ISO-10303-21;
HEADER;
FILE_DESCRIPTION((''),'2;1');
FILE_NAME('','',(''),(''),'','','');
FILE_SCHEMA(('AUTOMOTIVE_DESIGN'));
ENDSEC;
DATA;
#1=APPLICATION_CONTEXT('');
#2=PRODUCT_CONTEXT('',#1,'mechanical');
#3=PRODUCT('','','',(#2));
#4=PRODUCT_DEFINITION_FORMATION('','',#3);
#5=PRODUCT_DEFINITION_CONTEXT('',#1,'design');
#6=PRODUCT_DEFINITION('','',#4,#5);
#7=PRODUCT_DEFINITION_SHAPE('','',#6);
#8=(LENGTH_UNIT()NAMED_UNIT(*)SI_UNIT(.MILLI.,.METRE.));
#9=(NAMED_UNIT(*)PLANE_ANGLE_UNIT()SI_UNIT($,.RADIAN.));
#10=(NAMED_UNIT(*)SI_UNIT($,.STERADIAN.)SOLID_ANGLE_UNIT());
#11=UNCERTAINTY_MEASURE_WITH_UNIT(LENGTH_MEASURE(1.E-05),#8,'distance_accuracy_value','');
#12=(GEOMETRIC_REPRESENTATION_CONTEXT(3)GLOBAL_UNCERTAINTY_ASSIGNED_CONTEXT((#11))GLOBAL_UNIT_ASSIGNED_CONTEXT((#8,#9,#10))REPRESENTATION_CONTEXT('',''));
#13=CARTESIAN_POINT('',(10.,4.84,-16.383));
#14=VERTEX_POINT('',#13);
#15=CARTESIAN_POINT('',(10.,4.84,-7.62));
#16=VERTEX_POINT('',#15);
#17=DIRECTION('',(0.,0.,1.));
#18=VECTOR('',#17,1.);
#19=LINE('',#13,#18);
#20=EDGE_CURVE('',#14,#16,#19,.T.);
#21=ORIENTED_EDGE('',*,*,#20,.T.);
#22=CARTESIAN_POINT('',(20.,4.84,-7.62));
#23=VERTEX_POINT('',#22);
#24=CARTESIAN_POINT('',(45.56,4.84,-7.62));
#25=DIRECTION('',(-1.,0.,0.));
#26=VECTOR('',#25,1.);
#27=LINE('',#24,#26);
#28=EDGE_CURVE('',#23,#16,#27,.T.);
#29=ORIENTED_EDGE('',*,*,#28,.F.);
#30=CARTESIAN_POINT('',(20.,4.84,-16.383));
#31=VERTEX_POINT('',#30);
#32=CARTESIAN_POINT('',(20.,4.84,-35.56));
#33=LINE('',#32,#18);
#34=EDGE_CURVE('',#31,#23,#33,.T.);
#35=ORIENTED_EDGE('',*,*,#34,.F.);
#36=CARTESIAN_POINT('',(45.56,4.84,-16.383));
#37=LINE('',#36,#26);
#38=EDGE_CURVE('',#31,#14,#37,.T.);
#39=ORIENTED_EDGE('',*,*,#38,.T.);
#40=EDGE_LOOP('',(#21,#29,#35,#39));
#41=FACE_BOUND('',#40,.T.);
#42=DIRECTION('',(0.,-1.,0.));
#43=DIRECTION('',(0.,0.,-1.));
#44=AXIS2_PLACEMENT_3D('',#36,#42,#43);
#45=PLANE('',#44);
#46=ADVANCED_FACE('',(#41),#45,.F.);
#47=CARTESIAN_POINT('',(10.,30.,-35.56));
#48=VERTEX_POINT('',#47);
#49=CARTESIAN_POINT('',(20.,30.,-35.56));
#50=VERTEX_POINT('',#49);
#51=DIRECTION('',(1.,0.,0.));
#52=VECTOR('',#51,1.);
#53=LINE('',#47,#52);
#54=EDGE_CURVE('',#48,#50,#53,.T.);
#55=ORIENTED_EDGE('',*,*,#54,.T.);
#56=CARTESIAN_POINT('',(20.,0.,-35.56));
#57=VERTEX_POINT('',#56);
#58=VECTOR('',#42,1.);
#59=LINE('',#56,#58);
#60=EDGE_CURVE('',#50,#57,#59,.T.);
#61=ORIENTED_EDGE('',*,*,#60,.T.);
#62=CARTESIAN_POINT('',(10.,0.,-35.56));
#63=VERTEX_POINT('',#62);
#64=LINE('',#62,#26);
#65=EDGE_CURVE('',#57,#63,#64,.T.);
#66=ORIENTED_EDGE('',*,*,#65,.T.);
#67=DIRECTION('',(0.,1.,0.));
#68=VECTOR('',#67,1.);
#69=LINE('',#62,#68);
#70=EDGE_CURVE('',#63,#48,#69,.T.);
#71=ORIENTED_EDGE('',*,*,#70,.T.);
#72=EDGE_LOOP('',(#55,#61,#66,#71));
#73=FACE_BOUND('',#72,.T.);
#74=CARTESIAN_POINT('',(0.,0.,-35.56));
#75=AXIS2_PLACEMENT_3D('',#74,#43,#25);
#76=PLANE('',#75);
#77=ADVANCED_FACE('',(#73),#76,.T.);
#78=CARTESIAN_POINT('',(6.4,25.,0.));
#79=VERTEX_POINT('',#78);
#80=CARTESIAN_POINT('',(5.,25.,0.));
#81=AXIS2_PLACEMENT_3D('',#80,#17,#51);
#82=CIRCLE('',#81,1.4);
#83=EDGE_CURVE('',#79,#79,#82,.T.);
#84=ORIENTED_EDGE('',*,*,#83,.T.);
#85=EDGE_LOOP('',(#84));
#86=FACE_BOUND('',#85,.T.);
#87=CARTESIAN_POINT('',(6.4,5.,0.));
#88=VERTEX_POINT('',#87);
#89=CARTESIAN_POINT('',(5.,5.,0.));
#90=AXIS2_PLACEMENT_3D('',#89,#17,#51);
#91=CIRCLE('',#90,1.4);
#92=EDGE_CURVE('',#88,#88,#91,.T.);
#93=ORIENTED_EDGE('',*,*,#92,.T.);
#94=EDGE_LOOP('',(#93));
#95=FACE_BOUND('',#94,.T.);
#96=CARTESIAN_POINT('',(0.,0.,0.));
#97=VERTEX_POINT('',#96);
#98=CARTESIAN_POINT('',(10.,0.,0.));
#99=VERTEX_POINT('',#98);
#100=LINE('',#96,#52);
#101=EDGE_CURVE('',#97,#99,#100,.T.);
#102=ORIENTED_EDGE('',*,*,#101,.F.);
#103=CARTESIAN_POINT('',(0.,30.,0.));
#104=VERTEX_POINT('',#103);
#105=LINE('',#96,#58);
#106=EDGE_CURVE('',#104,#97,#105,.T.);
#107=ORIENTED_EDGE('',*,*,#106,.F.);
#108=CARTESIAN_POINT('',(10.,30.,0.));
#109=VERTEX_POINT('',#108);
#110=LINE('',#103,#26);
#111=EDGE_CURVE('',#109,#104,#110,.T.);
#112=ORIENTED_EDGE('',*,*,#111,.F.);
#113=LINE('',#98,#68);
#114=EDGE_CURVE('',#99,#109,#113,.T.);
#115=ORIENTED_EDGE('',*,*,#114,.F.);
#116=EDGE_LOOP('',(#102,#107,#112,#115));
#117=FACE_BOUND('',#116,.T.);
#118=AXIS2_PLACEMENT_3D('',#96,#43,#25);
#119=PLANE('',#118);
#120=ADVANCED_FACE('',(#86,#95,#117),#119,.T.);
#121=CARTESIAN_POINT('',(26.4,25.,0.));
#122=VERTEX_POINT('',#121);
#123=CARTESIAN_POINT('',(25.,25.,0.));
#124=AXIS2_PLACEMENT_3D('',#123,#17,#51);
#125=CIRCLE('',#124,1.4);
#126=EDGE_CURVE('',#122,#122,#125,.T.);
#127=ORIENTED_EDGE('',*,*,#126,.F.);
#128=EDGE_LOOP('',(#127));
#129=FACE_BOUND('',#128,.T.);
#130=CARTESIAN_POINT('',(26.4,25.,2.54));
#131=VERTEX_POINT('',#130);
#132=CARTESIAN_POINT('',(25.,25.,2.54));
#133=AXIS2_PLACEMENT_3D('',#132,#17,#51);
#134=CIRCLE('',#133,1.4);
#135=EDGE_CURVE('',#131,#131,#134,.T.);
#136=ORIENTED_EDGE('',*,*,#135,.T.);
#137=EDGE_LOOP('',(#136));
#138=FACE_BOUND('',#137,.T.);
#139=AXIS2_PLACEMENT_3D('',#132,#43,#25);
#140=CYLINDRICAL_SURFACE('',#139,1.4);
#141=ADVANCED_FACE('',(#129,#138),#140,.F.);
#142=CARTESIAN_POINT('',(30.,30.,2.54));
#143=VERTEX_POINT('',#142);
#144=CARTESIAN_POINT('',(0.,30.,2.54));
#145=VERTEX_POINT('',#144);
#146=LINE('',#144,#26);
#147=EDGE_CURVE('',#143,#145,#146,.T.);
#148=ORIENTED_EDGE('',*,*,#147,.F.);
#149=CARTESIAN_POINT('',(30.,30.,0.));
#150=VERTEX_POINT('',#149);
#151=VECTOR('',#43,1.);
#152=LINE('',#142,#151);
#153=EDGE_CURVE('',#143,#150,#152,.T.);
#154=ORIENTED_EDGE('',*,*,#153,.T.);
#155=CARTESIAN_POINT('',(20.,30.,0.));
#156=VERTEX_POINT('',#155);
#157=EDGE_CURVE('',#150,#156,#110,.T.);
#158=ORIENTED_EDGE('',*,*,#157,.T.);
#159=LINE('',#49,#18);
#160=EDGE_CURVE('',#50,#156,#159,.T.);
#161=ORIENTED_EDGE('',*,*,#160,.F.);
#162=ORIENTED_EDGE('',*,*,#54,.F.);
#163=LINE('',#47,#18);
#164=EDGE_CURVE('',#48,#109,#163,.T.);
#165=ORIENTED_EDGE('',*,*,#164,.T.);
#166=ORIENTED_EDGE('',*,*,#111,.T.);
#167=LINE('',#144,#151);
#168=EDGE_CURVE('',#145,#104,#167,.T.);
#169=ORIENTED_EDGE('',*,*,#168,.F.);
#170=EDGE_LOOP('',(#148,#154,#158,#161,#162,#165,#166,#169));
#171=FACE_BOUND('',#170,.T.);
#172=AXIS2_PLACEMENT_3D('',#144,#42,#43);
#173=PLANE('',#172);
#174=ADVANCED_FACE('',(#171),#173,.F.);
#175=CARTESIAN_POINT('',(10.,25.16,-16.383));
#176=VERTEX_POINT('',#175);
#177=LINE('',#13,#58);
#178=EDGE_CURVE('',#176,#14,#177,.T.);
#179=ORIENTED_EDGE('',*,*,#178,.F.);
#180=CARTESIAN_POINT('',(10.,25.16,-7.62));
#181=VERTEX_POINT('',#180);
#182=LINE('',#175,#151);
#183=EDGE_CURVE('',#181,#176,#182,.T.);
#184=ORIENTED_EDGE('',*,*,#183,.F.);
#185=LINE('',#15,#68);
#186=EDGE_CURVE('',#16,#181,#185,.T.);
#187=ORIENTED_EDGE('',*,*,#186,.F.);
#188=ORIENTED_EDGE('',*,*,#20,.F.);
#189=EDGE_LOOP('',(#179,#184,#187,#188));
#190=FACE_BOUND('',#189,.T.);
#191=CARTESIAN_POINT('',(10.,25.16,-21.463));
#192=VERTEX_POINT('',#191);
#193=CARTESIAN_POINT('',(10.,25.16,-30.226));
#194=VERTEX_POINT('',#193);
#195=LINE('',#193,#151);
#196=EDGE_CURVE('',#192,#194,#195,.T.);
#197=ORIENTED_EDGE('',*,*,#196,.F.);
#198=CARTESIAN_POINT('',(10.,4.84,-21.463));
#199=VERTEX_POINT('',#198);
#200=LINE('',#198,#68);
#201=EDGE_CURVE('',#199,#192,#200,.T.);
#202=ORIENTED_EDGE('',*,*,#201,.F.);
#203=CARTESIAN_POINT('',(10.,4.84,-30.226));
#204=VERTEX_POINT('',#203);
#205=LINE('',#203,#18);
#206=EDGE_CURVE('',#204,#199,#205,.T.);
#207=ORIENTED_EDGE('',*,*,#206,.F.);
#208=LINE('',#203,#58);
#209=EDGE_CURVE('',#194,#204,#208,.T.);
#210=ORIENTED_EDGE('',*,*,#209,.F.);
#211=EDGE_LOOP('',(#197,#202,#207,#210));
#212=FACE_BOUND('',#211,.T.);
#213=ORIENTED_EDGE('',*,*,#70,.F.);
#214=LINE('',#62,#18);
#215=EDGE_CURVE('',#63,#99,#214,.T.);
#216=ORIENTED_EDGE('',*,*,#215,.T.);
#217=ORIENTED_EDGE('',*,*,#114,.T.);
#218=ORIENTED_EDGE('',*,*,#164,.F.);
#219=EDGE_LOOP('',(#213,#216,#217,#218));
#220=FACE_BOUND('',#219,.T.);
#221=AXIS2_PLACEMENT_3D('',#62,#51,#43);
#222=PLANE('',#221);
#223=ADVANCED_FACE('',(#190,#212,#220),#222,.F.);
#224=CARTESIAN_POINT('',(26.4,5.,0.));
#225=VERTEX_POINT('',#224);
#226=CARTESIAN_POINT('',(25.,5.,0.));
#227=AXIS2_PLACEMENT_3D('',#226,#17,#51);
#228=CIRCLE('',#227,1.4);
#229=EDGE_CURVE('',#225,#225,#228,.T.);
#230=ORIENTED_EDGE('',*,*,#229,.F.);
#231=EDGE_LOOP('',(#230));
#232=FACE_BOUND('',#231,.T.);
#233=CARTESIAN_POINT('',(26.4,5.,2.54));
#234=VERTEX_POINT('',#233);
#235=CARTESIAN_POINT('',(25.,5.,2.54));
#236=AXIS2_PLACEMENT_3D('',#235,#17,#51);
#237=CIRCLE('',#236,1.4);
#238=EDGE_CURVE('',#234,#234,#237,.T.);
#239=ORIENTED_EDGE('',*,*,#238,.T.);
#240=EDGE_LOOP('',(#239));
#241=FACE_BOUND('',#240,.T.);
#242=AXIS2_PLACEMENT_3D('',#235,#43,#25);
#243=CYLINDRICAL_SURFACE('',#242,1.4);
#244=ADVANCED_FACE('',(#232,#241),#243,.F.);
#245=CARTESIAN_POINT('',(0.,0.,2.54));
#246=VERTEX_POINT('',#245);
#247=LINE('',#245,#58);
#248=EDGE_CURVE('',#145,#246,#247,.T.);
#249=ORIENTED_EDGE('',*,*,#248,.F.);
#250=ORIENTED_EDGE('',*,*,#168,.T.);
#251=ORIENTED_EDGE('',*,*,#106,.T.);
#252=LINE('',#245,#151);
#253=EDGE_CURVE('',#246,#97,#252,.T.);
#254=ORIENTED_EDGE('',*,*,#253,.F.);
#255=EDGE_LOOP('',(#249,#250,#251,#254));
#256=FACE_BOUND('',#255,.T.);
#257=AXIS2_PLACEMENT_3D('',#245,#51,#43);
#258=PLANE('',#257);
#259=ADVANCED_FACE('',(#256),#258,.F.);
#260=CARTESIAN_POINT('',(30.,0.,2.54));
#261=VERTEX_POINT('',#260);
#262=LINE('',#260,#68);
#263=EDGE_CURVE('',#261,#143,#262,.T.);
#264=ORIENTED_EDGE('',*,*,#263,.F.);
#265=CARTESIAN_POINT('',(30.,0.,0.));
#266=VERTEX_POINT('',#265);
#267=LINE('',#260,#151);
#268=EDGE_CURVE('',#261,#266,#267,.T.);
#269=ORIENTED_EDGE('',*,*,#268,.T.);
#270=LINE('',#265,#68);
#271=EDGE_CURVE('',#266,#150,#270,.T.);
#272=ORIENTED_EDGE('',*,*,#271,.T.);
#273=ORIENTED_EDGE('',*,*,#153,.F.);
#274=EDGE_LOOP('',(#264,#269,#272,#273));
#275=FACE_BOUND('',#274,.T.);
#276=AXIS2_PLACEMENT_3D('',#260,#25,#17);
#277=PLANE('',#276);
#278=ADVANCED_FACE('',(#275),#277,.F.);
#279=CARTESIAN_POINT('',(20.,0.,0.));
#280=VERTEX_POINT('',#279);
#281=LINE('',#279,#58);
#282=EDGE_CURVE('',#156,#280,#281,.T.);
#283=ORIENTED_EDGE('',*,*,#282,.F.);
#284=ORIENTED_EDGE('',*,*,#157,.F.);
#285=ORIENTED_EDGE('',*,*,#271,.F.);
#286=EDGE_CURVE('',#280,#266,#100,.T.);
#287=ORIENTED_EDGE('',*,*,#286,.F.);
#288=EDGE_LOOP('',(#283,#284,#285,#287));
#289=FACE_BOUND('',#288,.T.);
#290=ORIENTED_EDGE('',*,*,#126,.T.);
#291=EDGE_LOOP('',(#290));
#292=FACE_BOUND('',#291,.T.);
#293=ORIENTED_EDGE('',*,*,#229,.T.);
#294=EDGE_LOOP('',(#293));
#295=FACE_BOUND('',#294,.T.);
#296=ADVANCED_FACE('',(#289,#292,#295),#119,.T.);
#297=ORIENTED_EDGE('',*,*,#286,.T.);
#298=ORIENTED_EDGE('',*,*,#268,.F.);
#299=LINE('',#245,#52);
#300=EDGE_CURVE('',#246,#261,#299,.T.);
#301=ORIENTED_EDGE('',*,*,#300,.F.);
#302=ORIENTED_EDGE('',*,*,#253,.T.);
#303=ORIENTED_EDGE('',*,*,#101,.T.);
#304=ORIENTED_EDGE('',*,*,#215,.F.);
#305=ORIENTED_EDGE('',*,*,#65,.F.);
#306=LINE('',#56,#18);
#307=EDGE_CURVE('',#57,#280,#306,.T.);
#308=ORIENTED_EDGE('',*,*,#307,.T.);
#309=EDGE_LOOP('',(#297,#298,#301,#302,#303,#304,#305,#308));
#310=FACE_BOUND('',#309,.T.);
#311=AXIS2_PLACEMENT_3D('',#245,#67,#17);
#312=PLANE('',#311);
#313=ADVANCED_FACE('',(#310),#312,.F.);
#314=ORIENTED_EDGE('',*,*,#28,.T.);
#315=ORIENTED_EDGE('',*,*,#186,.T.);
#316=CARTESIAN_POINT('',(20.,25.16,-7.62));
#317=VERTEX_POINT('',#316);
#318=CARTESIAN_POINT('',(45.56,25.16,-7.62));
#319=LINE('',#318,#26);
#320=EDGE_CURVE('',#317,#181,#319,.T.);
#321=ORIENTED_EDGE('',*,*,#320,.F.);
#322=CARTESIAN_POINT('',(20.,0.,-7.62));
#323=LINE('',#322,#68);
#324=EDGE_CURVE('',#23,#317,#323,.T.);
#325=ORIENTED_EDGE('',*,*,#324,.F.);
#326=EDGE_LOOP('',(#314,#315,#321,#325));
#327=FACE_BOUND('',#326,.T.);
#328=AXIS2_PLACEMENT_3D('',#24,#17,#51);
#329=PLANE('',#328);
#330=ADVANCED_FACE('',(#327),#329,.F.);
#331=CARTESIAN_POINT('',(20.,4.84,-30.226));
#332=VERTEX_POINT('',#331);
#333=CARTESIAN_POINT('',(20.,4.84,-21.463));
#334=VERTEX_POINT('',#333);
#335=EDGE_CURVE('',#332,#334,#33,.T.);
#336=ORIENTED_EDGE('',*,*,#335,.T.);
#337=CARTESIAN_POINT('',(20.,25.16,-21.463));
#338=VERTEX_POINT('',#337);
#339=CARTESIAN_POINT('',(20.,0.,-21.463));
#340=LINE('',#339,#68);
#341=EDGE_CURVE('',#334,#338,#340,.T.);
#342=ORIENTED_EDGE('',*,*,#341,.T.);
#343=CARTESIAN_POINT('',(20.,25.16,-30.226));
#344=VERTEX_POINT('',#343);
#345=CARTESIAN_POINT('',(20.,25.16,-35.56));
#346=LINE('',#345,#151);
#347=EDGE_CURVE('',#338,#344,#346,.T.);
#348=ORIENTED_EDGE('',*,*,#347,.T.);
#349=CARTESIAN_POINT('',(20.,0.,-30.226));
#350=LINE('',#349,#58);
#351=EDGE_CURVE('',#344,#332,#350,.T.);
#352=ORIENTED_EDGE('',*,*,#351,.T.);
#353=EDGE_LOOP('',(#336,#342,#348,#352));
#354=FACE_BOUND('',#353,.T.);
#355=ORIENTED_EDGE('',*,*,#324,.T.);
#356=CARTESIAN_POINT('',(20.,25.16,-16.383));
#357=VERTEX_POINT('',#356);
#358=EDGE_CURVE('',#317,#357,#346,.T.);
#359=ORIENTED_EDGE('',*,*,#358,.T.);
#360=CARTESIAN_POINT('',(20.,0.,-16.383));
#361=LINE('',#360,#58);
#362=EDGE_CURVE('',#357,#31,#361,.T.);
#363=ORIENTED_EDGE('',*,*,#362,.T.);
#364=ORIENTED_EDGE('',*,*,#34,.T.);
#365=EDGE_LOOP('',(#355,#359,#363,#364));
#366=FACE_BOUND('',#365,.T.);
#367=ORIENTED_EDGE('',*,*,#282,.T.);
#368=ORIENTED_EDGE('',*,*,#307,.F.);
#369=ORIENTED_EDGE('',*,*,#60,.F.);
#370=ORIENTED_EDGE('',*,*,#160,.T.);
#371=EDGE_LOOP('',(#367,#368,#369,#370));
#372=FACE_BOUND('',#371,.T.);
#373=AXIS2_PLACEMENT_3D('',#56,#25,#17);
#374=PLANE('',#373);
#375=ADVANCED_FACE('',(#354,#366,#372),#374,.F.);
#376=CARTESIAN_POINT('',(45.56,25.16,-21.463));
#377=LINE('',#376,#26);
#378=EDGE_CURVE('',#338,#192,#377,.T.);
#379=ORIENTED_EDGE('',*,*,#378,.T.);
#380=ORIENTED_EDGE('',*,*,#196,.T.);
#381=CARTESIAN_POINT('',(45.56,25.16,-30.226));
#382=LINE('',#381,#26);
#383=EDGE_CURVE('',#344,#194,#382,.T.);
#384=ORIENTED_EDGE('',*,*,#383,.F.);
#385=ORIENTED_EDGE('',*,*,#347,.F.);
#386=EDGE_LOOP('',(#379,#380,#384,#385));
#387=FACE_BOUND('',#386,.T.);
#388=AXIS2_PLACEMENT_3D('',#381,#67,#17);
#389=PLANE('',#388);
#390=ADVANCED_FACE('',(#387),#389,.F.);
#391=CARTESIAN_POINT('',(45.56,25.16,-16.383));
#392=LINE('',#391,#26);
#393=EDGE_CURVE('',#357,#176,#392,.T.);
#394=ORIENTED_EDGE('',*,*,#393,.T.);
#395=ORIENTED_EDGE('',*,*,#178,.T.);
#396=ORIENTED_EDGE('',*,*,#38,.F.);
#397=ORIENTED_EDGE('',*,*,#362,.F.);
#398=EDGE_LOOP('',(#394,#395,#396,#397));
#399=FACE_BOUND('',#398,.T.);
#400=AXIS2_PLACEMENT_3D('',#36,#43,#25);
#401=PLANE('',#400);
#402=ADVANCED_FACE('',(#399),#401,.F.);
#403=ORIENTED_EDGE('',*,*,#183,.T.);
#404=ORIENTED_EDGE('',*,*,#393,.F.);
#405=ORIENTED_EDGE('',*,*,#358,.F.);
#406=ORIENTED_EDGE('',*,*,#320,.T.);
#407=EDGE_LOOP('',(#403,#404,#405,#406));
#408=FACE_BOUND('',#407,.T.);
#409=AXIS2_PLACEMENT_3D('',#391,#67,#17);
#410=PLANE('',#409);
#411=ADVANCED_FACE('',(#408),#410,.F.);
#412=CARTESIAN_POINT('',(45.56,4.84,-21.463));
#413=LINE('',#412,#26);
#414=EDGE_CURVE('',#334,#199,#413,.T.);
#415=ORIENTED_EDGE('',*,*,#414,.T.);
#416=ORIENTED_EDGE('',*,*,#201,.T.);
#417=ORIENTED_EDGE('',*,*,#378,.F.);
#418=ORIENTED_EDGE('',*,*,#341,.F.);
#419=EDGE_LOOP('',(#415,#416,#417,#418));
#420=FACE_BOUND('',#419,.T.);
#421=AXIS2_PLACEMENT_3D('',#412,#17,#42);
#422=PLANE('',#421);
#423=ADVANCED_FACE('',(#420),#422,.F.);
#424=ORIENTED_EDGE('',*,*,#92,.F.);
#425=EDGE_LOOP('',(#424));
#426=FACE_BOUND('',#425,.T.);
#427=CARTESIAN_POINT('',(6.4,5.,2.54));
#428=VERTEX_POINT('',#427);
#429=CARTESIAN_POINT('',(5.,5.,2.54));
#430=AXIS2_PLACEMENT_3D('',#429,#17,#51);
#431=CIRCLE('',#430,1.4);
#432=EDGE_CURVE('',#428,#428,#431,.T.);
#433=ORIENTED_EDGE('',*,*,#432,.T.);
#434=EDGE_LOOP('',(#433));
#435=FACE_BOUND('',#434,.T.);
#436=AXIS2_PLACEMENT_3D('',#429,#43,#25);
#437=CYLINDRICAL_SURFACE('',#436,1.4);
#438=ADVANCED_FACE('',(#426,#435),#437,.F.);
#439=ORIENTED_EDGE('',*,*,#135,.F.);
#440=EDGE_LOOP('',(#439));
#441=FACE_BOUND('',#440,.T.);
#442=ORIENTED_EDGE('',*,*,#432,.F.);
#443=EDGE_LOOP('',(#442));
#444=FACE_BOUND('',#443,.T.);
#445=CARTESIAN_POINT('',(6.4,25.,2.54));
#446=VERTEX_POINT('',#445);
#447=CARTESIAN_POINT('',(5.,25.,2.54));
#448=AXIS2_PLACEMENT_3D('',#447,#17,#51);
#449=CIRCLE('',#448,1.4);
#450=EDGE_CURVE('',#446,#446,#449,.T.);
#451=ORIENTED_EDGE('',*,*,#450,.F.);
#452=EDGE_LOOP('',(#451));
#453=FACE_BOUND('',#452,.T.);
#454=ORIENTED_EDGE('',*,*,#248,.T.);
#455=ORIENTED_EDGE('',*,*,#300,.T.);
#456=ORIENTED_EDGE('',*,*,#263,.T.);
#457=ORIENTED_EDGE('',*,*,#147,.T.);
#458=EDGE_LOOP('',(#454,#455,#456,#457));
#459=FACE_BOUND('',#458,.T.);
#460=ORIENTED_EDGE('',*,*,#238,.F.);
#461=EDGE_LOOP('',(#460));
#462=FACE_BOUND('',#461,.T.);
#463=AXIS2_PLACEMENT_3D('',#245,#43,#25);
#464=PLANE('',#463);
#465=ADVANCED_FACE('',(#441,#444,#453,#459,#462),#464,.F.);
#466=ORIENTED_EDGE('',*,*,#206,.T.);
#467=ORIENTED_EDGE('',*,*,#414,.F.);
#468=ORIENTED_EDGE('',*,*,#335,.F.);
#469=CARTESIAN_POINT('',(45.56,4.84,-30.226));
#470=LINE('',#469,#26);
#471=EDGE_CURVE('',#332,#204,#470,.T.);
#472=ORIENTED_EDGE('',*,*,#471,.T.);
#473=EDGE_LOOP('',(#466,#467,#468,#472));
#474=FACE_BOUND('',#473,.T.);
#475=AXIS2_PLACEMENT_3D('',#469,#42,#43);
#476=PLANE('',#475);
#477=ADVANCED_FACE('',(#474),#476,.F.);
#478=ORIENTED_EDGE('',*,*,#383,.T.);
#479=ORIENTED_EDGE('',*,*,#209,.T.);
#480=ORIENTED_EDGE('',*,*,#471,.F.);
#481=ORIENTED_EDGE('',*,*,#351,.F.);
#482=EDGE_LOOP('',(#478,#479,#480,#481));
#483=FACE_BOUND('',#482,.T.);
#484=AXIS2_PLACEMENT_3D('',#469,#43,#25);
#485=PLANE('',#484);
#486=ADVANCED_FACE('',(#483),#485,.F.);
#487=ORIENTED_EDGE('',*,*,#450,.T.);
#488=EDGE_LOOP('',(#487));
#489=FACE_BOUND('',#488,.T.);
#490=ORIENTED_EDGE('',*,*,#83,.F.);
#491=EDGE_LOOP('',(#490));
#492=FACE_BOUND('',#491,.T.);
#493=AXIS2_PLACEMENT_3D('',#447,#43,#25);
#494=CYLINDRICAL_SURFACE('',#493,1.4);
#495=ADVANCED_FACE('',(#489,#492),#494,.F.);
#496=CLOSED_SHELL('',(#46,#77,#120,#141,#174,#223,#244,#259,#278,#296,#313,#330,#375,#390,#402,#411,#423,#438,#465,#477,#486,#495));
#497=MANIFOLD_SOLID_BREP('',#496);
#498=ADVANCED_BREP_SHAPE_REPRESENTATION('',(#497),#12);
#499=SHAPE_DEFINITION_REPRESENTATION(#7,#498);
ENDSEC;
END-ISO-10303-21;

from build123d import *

# Parameters (mm, degrees)
SKETCH2_W           = 30
SKETCH2_H           = 30
SKETCH2_R           = 1.4
BOSS_EXTRUDE1_DEPTH = 2.54
SKETCH3_W           = 10
SKETCH3_H           = 30
BOSS_EXTRUDE2_DEPTH = 35.56
SKETCH4_W           = 8.763
SKETCH4_H           = 20.32
CUT_EXTRUDE1_DEPTH  = 35.56


with BuildPart() as part:
    # Sketch2 → Boss-Extrude1 (new body)
    with BuildSketch(Plane.XY):
        with Locations((15, 15)):
            Rectangle(SKETCH2_W, SKETCH2_H)
        with Locations((5, 5)):
            Circle(SKETCH2_R, mode=Mode.SUBTRACT)
        with Locations((25, 5)):
            Circle(SKETCH2_R, mode=Mode.SUBTRACT)
        with Locations((5, 25)):
            Circle(SKETCH2_R, mode=Mode.SUBTRACT)
        with Locations((25, 25)):
            Circle(SKETCH2_R, mode=Mode.SUBTRACT)
    extrude(amount=BOSS_EXTRUDE1_DEPTH)

    # Sketch3 → Boss-Extrude2 (add)
    with BuildSketch(Plane(origin=(0, 0, 0), x_dir=(-1, 0, 0), z_dir=(0, 0, -1))):
        with Locations((-15, 15)):
            Rectangle(SKETCH3_W, SKETCH3_H)
    extrude(amount=BOSS_EXTRUDE2_DEPTH)

    # Sketch4 → Cut-Extrude1 (cut)
    with BuildSketch(Plane.ZY.offset(-10)):
        with Locations((-25.8445, 15)):
            Rectangle(SKETCH4_W, SKETCH4_H)
        with Locations((-12.0015, 15)):
            Rectangle(SKETCH4_W, SKETCH4_H)
    extrude(amount=-CUT_EXTRUDE1_DEPTH, mode=Mode.SUBTRACT)


solid = part.part
